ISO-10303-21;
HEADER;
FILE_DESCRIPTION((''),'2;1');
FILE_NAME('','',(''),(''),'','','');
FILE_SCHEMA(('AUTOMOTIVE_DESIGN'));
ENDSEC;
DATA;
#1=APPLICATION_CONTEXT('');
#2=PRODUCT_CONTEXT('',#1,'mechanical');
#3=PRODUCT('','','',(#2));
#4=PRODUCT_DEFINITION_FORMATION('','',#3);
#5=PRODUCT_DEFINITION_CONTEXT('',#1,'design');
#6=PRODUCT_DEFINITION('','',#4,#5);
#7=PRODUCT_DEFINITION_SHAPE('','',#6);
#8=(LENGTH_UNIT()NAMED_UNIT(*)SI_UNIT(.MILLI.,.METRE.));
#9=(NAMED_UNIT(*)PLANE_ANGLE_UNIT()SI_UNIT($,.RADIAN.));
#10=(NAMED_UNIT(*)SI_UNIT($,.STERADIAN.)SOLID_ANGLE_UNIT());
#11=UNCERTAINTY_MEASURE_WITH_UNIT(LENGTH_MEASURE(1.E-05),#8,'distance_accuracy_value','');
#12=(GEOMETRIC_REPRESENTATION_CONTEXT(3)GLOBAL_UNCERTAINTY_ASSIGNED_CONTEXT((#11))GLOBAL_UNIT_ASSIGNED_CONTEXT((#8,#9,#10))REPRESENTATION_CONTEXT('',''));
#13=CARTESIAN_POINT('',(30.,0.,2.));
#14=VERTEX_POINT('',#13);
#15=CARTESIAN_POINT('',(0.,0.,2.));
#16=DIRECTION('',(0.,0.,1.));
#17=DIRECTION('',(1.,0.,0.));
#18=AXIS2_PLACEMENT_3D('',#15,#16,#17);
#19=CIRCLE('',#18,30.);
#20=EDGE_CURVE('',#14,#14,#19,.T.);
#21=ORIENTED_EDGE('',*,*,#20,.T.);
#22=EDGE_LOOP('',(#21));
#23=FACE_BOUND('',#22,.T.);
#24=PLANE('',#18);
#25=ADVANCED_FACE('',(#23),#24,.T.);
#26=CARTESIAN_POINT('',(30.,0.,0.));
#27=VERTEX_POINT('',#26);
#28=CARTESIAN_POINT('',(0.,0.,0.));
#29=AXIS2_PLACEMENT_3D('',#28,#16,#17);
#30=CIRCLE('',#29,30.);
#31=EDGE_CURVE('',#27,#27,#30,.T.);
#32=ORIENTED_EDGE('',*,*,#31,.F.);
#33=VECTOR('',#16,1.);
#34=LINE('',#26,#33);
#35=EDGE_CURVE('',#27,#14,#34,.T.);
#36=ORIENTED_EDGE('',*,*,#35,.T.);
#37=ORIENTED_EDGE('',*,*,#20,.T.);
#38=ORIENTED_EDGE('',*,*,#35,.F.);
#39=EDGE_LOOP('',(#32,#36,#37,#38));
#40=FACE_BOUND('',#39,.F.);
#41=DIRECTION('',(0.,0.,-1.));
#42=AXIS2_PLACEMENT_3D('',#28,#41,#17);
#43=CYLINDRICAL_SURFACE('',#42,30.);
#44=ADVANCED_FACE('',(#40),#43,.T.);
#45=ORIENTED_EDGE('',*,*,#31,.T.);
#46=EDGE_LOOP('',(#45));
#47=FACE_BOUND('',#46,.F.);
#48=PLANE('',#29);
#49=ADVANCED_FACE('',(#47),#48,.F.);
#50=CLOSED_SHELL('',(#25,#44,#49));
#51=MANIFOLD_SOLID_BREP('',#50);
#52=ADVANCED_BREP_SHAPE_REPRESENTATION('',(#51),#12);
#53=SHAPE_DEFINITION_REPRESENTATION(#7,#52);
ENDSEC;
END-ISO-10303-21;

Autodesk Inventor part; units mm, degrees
ref_plane "YZ Plane" through (0, 0, 0) normal (1, 0, 0) x (0, 1, 0)
ref_plane "XZ Plane" through (0, 0, 0) normal (0, 1, 0) x (-1, 0, 0)
ref_plane "XY Plane" through (0, 0, 0) normal (0, 0, 1) x (1, 0, 0)
sketch "Sketch1" plane through (0, 0, 0) normal (0, 0, 1) x (1, 0, 0)
  circle A0 centre (0, 0) radius 30
  dimension "d0" = 60
extrude "Extrusion1" add sketch "Sketch1" along normal blind 2
properties part number "Membrane"
